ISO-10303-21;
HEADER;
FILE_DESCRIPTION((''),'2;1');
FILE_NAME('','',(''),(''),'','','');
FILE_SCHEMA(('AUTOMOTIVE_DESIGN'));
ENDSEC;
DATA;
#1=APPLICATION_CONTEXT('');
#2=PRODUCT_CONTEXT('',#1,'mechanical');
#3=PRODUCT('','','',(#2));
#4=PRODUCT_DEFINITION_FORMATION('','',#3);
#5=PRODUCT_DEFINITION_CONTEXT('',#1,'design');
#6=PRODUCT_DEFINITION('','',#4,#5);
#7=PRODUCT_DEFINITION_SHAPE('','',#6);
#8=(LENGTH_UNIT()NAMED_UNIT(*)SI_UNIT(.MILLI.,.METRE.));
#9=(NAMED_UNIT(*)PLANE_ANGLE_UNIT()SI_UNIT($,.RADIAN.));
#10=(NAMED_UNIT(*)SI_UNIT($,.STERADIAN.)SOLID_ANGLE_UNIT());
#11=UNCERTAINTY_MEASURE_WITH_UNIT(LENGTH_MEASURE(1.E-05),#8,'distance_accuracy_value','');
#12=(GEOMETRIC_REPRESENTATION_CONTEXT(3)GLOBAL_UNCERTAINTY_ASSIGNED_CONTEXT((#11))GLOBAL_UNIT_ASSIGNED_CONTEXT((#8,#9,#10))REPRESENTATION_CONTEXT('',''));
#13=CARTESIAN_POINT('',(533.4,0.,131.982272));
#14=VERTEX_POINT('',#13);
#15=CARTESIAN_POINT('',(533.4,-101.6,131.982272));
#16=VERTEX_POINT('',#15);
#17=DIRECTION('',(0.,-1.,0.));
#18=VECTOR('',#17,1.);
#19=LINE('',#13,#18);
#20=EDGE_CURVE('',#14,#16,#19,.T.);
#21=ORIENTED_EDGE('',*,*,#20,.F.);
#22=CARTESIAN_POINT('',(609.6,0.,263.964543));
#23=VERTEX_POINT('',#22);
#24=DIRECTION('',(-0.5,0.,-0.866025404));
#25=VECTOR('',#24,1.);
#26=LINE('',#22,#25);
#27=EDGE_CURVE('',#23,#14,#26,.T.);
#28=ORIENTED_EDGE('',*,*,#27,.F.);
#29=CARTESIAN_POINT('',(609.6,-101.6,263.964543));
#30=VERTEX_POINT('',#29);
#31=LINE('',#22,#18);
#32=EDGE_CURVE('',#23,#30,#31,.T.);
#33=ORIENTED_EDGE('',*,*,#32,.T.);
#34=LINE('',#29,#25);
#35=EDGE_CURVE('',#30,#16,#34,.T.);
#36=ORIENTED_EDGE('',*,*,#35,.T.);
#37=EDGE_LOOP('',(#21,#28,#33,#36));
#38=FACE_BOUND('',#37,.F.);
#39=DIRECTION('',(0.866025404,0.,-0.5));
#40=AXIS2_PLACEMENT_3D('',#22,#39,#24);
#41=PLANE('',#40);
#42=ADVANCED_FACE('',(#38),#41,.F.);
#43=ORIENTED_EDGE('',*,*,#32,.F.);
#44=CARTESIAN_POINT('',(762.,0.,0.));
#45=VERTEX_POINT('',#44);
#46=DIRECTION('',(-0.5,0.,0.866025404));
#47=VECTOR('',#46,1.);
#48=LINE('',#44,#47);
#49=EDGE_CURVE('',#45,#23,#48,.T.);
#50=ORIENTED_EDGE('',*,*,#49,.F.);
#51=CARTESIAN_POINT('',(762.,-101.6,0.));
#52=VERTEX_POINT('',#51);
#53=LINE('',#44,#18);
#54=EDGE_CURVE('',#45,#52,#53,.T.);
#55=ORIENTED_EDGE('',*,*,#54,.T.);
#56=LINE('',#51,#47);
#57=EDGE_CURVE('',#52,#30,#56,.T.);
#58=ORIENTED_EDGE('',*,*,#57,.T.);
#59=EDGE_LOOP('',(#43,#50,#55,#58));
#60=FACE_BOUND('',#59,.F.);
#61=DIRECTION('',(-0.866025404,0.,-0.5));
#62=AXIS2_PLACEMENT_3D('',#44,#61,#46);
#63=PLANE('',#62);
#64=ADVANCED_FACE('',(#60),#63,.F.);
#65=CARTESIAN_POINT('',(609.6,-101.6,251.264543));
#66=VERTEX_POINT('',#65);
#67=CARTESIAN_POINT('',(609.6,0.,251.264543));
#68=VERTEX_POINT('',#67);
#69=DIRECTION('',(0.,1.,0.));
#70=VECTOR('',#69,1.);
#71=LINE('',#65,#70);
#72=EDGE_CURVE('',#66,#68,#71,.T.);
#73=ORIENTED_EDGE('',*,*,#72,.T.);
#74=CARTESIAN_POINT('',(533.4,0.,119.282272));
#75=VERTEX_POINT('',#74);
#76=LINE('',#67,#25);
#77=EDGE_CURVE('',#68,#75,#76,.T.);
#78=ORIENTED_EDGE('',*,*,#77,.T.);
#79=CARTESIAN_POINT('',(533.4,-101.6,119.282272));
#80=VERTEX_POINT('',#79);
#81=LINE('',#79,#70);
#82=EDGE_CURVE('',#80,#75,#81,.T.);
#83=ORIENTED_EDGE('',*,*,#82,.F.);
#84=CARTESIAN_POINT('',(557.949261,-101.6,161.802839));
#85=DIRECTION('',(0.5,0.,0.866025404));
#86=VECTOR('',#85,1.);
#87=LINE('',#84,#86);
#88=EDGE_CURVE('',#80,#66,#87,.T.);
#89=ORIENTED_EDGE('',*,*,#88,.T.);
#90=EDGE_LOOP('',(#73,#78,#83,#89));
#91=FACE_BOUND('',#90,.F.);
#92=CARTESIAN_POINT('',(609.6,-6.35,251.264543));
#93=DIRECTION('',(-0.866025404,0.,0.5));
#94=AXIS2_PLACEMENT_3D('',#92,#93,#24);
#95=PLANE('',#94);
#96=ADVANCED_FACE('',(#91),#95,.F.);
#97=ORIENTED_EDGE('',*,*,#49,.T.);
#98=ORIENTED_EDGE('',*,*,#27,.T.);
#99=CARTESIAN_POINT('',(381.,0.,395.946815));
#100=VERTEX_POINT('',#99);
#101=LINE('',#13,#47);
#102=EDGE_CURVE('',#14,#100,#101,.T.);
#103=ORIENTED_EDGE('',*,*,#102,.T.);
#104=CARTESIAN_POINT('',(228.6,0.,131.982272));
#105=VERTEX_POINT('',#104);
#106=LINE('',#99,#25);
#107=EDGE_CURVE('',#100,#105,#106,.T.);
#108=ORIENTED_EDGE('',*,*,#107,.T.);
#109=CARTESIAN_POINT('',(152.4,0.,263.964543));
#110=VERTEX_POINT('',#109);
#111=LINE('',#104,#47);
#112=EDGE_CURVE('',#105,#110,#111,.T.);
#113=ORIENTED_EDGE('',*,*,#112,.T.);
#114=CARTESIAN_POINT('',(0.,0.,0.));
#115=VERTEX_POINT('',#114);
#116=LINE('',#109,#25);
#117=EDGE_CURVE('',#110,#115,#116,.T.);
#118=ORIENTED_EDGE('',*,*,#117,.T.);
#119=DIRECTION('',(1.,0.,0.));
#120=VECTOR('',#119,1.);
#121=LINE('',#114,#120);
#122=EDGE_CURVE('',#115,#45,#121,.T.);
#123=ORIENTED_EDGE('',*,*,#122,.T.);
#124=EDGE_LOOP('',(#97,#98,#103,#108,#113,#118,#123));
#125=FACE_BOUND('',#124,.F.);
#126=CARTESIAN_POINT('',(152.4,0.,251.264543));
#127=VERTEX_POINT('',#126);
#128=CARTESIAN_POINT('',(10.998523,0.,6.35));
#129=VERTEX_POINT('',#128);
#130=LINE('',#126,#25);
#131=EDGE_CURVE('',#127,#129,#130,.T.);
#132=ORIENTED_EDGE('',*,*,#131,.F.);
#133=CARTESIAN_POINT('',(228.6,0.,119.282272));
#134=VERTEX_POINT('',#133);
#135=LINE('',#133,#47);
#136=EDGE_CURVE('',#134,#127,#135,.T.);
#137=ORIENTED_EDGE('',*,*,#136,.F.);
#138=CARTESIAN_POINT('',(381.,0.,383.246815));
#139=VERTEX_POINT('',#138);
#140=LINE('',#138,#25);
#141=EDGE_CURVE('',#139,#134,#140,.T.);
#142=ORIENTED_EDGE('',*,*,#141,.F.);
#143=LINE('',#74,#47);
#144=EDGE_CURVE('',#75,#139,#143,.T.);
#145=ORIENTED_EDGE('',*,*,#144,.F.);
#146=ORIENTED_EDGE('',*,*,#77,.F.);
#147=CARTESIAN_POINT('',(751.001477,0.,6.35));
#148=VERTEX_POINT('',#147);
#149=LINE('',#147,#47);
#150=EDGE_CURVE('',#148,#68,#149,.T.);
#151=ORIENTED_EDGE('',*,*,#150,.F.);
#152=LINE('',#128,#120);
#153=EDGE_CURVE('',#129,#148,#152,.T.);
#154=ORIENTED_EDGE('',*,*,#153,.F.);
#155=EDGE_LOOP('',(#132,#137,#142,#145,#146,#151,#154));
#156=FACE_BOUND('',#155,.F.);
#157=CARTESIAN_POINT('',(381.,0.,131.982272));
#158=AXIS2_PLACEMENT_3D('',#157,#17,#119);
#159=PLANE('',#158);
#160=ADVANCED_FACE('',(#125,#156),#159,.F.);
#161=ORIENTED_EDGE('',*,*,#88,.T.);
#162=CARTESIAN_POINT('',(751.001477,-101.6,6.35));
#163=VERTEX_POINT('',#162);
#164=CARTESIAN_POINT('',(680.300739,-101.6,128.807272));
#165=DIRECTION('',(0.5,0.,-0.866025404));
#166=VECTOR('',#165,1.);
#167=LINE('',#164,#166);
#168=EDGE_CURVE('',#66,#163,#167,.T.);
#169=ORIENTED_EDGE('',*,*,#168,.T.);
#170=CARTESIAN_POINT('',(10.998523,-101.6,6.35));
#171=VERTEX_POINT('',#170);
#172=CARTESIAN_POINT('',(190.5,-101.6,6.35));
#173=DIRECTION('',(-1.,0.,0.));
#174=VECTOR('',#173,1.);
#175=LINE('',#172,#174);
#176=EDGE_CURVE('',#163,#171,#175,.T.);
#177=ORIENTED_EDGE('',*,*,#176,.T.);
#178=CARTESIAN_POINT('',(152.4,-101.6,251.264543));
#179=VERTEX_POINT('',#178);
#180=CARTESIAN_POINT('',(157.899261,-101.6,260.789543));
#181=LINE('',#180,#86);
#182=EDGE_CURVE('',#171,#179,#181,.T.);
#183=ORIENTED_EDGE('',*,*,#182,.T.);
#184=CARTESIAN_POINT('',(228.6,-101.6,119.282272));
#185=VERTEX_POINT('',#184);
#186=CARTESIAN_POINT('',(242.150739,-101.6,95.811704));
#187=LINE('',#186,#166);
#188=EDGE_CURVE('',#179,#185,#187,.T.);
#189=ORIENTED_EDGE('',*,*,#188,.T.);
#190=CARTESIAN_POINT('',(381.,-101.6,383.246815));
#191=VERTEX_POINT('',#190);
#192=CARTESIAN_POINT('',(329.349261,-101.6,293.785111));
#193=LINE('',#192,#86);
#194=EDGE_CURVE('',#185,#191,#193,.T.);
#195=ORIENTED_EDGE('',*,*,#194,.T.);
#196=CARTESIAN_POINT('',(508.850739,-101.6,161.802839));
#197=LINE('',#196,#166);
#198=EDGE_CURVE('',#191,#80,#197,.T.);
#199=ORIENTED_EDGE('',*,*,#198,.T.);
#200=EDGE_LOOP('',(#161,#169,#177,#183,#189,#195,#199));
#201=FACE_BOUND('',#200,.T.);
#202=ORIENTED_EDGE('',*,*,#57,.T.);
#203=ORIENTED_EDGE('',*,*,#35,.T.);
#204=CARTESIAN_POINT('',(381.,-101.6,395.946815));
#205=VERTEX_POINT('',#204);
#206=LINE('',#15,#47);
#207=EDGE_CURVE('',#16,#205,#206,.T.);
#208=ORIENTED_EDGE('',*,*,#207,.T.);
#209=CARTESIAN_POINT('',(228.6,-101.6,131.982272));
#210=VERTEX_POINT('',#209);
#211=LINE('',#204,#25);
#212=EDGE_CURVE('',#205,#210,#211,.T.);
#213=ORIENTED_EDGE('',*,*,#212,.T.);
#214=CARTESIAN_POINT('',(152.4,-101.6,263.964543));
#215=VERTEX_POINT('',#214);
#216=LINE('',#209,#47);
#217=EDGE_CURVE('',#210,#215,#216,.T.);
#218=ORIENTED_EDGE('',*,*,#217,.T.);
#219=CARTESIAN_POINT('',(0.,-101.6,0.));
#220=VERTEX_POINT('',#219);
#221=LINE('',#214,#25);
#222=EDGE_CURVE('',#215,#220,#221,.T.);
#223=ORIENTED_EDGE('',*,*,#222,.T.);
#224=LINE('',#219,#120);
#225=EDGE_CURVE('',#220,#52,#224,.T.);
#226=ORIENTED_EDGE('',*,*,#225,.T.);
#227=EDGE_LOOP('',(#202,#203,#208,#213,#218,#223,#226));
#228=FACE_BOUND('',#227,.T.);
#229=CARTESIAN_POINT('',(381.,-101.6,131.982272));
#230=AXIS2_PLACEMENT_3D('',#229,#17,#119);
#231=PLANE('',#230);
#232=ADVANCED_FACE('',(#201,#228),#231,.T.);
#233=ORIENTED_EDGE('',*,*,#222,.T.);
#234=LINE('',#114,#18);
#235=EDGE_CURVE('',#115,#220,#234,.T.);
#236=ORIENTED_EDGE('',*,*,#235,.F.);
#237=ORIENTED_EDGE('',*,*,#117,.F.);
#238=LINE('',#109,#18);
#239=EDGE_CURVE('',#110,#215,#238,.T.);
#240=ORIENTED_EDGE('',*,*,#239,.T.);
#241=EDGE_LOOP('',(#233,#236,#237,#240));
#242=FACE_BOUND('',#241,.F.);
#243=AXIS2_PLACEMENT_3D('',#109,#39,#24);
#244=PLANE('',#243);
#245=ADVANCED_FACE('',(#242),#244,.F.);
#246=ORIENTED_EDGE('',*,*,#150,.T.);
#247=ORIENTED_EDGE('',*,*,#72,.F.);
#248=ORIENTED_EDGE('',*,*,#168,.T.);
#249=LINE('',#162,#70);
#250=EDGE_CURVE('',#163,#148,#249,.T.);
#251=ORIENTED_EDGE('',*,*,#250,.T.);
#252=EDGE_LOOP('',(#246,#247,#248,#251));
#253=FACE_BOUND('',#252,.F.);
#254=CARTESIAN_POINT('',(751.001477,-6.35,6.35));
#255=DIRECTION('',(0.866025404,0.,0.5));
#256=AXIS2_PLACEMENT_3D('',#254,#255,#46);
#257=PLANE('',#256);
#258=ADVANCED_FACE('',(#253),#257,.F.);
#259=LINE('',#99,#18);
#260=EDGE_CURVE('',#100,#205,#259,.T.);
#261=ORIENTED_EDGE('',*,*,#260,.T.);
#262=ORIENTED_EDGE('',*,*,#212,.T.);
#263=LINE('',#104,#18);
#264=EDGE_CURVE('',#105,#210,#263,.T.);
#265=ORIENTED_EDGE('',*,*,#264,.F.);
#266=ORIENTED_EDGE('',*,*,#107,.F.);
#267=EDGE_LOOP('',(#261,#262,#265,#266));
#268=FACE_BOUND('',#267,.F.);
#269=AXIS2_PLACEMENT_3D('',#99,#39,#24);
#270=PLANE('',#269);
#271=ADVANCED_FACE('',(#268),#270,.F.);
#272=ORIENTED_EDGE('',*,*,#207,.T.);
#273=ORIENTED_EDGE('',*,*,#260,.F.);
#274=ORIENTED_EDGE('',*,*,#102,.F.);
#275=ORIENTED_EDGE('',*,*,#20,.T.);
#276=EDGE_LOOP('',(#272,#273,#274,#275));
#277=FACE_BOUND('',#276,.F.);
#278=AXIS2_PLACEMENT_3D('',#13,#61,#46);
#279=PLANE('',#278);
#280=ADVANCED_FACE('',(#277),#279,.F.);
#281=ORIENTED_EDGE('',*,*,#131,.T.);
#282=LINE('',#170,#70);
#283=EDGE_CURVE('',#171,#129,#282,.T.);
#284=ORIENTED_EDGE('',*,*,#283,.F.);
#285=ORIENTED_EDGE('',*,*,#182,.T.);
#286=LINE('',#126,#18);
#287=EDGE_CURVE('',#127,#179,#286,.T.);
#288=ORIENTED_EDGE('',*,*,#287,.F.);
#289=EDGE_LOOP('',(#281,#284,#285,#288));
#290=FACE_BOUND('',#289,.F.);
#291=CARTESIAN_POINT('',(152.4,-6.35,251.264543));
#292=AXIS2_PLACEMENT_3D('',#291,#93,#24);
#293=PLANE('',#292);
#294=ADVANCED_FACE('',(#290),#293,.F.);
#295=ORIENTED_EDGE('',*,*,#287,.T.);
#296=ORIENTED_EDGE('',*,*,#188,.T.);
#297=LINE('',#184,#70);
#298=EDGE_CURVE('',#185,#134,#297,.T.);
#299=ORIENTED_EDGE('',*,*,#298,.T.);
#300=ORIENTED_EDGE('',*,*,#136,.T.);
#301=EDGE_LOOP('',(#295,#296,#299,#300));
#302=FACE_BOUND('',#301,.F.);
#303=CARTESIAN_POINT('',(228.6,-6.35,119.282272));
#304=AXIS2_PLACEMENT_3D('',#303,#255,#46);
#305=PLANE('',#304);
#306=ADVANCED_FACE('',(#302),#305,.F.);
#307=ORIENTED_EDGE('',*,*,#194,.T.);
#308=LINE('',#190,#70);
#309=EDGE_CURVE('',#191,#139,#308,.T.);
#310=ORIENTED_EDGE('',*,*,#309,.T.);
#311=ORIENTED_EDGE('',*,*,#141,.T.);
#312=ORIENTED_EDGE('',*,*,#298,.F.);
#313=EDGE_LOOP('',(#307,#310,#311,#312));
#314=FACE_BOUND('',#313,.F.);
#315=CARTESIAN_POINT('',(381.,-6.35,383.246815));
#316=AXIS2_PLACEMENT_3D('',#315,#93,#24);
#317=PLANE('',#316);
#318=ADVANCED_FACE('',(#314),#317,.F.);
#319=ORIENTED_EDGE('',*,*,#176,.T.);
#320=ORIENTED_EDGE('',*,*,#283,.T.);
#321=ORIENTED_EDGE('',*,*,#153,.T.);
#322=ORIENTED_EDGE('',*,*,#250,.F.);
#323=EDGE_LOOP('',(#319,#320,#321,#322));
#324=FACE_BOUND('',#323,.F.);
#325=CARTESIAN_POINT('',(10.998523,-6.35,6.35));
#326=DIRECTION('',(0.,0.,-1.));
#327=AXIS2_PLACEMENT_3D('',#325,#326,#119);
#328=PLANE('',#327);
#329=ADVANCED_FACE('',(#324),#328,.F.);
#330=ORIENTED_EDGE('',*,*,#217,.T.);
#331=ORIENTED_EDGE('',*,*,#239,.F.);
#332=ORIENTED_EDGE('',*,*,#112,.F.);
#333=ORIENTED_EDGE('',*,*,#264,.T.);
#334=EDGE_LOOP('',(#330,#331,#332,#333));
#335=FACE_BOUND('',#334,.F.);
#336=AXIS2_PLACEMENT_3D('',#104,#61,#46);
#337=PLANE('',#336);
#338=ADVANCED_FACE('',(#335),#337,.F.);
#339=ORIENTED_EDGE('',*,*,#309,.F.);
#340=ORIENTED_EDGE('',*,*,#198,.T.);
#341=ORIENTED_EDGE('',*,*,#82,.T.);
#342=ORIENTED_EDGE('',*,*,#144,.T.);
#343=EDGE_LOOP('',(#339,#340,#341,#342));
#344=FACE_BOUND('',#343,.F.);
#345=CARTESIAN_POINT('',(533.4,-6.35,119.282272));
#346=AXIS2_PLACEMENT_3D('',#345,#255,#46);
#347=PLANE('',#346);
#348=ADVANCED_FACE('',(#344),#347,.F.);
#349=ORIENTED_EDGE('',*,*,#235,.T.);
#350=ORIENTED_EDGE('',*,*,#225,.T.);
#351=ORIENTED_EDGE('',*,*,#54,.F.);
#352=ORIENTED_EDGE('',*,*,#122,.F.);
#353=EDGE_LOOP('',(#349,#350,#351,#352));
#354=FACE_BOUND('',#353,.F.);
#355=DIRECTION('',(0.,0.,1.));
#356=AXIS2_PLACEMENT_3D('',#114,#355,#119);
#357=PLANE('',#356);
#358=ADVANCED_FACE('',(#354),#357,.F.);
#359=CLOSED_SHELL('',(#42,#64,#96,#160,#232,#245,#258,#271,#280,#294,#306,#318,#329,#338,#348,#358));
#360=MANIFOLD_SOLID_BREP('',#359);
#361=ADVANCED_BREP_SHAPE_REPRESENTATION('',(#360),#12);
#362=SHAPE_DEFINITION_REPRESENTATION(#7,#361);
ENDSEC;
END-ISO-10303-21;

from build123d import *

# Parameters (mm, degrees)
F1_DEPTH = 101.6
F2_T     = -6.35
F4_DEPTH = 6.35


with BuildPart() as f1:
    # F0 (on Front) → F1 (new body)
    with BuildSketch(Plane.XZ):
        Polygon((152.4, 263.9645430735), (0, 0), (762, 0), (609.6, 263.9645430735), (533.4, 131.9822715367), (381, 395.9468146102), (228.6, 131.9822715367), align=None)
    extrude(amount=F1_DEPTH)

    # F2
    f2_openings = [f1.faces().sort_by_distance(p)[0] for p in [
        (381, -101.6, 120.250514),
    ]]
    offset(amount=F2_T, openings=f2_openings, kind=Kind.INTERSECTION)

    # F3 (on face) → F4 (cut)
    with BuildSketch(Plane.XZ.offset(6.35)):
        Polygon((152.4, 251.2645430735), (10.9985226281, 6.35), (751.0014773719, 6.35), (609.6, 251.2645430735), (533.4, 119.2822715367), (381, 383.2468146102), (228.6, 119.2822715367), align=None)
    extrude(amount=-F4_DEPTH, mode=Mode.SUBTRACT)


solid = f1.part
